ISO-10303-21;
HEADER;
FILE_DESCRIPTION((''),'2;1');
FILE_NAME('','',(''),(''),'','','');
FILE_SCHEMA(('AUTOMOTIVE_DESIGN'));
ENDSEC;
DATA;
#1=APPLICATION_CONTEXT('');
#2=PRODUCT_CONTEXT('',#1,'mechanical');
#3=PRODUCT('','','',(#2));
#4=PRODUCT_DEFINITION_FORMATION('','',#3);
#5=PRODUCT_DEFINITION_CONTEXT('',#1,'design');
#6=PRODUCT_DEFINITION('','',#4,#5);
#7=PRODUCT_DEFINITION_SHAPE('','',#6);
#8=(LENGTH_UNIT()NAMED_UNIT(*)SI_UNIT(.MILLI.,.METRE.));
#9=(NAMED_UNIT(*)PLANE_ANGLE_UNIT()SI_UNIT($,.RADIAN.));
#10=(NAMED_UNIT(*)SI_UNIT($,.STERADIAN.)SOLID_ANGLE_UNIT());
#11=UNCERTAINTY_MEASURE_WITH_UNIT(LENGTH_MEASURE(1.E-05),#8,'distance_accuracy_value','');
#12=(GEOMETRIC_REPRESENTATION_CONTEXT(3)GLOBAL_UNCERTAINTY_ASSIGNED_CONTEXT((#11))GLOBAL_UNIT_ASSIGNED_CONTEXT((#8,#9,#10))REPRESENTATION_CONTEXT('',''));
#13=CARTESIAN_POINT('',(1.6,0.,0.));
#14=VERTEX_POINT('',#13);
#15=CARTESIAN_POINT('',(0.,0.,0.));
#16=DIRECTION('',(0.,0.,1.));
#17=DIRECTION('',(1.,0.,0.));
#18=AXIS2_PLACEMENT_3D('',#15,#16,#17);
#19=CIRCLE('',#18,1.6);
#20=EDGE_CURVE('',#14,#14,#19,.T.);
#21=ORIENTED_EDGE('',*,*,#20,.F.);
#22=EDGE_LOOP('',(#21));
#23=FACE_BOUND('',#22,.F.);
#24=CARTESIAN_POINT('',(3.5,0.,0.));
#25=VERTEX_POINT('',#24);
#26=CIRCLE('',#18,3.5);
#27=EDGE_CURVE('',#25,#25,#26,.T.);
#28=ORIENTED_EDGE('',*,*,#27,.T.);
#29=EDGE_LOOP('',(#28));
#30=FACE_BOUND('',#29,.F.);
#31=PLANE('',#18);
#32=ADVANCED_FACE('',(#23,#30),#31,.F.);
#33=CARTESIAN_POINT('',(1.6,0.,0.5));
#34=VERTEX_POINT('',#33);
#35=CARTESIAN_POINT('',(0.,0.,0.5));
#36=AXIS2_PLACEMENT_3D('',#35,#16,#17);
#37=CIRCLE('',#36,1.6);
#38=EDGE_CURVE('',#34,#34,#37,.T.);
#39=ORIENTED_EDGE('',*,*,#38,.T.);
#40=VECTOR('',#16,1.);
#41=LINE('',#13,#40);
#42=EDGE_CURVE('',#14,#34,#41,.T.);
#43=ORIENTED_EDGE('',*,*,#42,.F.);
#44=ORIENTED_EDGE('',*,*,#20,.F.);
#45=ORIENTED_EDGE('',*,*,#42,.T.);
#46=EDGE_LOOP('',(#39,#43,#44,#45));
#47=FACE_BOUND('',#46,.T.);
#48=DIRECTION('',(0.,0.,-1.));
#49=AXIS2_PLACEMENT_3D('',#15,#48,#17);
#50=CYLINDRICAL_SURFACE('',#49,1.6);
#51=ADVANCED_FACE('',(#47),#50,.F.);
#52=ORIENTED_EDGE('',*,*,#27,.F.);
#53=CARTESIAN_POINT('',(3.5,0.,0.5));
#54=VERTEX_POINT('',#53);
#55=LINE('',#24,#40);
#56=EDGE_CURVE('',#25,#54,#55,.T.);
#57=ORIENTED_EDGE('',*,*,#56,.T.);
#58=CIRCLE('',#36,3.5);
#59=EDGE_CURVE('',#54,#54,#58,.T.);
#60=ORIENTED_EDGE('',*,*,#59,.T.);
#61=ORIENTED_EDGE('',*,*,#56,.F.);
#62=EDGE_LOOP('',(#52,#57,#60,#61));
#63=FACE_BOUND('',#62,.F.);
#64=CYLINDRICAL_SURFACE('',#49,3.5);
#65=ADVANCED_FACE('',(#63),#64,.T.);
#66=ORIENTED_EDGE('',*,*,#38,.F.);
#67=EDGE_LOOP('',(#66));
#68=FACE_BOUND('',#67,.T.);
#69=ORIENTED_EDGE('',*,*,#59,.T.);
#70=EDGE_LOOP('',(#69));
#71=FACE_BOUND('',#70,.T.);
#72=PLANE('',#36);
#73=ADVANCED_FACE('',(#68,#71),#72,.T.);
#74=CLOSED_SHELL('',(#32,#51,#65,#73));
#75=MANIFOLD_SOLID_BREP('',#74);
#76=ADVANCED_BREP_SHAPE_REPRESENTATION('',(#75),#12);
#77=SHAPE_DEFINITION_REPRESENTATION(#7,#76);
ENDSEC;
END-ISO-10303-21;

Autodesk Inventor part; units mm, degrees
ref_plane "YZ Plane" through (0, 0, 0) normal (1, 0, 0) x (0, 1, 0)
ref_plane "XZ Plane" through (0, 0, 0) normal (0, 1, 0) x (-1, 0, 0)
ref_plane "XY Plane" through (0, 0, 0) normal (0, 0, 1) x (1, 0, 0)
sketch "Skizze1" plane through (0, 0, 0) normal (0, 0, 1) x (1, 0, 0)
  circle A0 centre (0, 0) radius 1.6
  circle A1 centre (0, 0) radius 3.5
  dimension "d0" = 3.2
  dimension "d1" = 7
extrude "Extrusion1" add sketch "Skizze1" along normal blind 0.5
properties part number "Scheibe M3 Polyamid" material "ABS-Kunststoff"
